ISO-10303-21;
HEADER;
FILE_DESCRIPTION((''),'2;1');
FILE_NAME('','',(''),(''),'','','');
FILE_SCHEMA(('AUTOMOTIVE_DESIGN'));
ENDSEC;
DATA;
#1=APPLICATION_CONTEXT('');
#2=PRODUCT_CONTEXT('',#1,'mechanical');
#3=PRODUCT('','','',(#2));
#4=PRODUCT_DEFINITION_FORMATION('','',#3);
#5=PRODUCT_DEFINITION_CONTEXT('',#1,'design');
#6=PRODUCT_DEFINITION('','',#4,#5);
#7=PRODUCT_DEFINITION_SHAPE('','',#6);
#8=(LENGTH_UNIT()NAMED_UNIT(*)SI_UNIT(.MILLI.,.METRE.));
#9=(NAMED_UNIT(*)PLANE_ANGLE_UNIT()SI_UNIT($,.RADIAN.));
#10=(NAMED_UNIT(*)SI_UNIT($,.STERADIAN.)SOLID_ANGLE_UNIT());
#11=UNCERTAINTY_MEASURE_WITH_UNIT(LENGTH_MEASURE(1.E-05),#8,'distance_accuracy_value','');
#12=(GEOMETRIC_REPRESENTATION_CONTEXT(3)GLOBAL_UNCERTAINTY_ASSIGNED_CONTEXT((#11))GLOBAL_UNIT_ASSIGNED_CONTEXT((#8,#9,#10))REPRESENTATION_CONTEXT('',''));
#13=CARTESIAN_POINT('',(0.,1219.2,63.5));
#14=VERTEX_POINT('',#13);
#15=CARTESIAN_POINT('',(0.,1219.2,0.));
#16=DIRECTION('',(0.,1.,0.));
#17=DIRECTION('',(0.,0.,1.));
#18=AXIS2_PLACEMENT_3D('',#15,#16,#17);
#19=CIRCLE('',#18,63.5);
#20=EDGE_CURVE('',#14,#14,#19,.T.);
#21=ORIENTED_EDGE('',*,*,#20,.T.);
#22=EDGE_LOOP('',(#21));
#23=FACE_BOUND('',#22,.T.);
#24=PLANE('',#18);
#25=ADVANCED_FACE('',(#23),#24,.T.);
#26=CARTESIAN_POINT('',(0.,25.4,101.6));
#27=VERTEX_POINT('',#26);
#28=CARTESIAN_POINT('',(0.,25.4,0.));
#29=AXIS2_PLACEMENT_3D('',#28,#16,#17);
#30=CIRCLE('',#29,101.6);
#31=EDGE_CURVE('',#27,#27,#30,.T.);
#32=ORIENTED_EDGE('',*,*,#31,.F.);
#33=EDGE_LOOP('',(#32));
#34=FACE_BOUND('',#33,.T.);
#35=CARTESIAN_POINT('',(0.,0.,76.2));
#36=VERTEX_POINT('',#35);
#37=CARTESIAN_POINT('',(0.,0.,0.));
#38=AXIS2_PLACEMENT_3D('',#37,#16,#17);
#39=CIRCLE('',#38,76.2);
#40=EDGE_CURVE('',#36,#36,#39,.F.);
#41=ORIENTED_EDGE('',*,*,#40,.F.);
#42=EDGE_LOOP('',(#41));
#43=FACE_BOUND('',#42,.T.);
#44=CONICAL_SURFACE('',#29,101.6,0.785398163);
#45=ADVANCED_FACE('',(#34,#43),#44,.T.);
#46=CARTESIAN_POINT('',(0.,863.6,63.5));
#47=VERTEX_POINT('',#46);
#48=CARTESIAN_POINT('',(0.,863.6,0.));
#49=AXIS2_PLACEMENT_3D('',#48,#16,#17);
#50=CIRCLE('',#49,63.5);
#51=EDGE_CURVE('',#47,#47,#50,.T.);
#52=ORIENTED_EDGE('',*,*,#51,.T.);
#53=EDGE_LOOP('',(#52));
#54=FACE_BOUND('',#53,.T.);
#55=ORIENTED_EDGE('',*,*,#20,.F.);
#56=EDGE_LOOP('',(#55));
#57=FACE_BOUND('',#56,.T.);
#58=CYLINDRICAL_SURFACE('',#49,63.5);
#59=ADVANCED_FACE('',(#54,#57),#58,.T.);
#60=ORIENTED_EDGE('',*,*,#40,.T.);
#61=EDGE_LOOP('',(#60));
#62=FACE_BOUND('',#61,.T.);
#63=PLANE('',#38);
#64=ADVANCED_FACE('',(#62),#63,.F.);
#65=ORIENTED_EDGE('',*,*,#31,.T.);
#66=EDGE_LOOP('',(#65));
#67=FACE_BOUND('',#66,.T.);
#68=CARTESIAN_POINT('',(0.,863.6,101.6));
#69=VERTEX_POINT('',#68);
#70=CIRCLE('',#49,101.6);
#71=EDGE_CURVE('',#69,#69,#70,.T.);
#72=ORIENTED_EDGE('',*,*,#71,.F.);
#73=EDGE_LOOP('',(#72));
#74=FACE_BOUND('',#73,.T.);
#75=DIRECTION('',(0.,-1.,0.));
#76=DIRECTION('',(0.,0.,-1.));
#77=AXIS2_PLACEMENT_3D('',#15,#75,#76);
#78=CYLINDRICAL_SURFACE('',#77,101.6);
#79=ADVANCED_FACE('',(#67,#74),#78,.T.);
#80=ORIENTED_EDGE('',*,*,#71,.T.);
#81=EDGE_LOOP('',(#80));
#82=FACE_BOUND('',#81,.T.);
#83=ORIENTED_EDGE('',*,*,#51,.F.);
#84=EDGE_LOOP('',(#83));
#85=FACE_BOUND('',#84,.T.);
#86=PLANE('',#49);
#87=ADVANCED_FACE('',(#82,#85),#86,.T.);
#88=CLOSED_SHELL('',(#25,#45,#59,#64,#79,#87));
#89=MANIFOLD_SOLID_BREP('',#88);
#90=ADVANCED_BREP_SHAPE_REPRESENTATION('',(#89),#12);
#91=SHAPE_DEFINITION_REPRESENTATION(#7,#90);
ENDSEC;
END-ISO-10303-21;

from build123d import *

# Parameters (mm, degrees)
SKETCH1_R           = 101.6
BOSS_EXTRUDE1_DEPTH = 1219.2
SKETCH2_OUTSIDE_W   = 455.722
SKETCH2_OUTSIDE_H   = 455.722
SKETCH2_OUTSIDE_R   = 63.5
CUT_EXTRUDE1_DEPTH  = 355.6
CHAMFER1_SIZE       = 25.4


with BuildPart() as part:
    # Sketch1 → Boss-Extrude1 (new body)
    with BuildSketch(Plane(origin=(0, 0, 0), x_dir=(1, 0, 0), z_dir=(0, 1, 0))):
        with Locations(Location((0, 0, 0), (0, 0, 270))):  # turned: the seam where the file's is
            Circle(SKETCH1_R)
    extrude(amount=BOSS_EXTRUDE1_DEPTH)

    # Sketch2 outside → Cut-Extrude1 (cut)
    with BuildSketch(Plane(origin=(0, 1219.2, 0), x_dir=(1, 0, 0), z_dir=(0, 1, 0))):
        Rectangle(SKETCH2_OUTSIDE_W, SKETCH2_OUTSIDE_H)
        with Locations(Location((0, 0, 0), (0, 0, 270))):  # turned: the seam where the file's is
            Circle(SKETCH2_OUTSIDE_R, mode=Mode.SUBTRACT)
    extrude(amount=-CUT_EXTRUDE1_DEPTH, mode=Mode.SUBTRACT)

    # Chamfer1
    chamfer1_edges = [part.edges().sort_by_distance(p)[0] for p in [
        (0, 0, -101.6),
    ]]
    chamfer(chamfer1_edges, length=CHAMFER1_SIZE)


solid = part.part
